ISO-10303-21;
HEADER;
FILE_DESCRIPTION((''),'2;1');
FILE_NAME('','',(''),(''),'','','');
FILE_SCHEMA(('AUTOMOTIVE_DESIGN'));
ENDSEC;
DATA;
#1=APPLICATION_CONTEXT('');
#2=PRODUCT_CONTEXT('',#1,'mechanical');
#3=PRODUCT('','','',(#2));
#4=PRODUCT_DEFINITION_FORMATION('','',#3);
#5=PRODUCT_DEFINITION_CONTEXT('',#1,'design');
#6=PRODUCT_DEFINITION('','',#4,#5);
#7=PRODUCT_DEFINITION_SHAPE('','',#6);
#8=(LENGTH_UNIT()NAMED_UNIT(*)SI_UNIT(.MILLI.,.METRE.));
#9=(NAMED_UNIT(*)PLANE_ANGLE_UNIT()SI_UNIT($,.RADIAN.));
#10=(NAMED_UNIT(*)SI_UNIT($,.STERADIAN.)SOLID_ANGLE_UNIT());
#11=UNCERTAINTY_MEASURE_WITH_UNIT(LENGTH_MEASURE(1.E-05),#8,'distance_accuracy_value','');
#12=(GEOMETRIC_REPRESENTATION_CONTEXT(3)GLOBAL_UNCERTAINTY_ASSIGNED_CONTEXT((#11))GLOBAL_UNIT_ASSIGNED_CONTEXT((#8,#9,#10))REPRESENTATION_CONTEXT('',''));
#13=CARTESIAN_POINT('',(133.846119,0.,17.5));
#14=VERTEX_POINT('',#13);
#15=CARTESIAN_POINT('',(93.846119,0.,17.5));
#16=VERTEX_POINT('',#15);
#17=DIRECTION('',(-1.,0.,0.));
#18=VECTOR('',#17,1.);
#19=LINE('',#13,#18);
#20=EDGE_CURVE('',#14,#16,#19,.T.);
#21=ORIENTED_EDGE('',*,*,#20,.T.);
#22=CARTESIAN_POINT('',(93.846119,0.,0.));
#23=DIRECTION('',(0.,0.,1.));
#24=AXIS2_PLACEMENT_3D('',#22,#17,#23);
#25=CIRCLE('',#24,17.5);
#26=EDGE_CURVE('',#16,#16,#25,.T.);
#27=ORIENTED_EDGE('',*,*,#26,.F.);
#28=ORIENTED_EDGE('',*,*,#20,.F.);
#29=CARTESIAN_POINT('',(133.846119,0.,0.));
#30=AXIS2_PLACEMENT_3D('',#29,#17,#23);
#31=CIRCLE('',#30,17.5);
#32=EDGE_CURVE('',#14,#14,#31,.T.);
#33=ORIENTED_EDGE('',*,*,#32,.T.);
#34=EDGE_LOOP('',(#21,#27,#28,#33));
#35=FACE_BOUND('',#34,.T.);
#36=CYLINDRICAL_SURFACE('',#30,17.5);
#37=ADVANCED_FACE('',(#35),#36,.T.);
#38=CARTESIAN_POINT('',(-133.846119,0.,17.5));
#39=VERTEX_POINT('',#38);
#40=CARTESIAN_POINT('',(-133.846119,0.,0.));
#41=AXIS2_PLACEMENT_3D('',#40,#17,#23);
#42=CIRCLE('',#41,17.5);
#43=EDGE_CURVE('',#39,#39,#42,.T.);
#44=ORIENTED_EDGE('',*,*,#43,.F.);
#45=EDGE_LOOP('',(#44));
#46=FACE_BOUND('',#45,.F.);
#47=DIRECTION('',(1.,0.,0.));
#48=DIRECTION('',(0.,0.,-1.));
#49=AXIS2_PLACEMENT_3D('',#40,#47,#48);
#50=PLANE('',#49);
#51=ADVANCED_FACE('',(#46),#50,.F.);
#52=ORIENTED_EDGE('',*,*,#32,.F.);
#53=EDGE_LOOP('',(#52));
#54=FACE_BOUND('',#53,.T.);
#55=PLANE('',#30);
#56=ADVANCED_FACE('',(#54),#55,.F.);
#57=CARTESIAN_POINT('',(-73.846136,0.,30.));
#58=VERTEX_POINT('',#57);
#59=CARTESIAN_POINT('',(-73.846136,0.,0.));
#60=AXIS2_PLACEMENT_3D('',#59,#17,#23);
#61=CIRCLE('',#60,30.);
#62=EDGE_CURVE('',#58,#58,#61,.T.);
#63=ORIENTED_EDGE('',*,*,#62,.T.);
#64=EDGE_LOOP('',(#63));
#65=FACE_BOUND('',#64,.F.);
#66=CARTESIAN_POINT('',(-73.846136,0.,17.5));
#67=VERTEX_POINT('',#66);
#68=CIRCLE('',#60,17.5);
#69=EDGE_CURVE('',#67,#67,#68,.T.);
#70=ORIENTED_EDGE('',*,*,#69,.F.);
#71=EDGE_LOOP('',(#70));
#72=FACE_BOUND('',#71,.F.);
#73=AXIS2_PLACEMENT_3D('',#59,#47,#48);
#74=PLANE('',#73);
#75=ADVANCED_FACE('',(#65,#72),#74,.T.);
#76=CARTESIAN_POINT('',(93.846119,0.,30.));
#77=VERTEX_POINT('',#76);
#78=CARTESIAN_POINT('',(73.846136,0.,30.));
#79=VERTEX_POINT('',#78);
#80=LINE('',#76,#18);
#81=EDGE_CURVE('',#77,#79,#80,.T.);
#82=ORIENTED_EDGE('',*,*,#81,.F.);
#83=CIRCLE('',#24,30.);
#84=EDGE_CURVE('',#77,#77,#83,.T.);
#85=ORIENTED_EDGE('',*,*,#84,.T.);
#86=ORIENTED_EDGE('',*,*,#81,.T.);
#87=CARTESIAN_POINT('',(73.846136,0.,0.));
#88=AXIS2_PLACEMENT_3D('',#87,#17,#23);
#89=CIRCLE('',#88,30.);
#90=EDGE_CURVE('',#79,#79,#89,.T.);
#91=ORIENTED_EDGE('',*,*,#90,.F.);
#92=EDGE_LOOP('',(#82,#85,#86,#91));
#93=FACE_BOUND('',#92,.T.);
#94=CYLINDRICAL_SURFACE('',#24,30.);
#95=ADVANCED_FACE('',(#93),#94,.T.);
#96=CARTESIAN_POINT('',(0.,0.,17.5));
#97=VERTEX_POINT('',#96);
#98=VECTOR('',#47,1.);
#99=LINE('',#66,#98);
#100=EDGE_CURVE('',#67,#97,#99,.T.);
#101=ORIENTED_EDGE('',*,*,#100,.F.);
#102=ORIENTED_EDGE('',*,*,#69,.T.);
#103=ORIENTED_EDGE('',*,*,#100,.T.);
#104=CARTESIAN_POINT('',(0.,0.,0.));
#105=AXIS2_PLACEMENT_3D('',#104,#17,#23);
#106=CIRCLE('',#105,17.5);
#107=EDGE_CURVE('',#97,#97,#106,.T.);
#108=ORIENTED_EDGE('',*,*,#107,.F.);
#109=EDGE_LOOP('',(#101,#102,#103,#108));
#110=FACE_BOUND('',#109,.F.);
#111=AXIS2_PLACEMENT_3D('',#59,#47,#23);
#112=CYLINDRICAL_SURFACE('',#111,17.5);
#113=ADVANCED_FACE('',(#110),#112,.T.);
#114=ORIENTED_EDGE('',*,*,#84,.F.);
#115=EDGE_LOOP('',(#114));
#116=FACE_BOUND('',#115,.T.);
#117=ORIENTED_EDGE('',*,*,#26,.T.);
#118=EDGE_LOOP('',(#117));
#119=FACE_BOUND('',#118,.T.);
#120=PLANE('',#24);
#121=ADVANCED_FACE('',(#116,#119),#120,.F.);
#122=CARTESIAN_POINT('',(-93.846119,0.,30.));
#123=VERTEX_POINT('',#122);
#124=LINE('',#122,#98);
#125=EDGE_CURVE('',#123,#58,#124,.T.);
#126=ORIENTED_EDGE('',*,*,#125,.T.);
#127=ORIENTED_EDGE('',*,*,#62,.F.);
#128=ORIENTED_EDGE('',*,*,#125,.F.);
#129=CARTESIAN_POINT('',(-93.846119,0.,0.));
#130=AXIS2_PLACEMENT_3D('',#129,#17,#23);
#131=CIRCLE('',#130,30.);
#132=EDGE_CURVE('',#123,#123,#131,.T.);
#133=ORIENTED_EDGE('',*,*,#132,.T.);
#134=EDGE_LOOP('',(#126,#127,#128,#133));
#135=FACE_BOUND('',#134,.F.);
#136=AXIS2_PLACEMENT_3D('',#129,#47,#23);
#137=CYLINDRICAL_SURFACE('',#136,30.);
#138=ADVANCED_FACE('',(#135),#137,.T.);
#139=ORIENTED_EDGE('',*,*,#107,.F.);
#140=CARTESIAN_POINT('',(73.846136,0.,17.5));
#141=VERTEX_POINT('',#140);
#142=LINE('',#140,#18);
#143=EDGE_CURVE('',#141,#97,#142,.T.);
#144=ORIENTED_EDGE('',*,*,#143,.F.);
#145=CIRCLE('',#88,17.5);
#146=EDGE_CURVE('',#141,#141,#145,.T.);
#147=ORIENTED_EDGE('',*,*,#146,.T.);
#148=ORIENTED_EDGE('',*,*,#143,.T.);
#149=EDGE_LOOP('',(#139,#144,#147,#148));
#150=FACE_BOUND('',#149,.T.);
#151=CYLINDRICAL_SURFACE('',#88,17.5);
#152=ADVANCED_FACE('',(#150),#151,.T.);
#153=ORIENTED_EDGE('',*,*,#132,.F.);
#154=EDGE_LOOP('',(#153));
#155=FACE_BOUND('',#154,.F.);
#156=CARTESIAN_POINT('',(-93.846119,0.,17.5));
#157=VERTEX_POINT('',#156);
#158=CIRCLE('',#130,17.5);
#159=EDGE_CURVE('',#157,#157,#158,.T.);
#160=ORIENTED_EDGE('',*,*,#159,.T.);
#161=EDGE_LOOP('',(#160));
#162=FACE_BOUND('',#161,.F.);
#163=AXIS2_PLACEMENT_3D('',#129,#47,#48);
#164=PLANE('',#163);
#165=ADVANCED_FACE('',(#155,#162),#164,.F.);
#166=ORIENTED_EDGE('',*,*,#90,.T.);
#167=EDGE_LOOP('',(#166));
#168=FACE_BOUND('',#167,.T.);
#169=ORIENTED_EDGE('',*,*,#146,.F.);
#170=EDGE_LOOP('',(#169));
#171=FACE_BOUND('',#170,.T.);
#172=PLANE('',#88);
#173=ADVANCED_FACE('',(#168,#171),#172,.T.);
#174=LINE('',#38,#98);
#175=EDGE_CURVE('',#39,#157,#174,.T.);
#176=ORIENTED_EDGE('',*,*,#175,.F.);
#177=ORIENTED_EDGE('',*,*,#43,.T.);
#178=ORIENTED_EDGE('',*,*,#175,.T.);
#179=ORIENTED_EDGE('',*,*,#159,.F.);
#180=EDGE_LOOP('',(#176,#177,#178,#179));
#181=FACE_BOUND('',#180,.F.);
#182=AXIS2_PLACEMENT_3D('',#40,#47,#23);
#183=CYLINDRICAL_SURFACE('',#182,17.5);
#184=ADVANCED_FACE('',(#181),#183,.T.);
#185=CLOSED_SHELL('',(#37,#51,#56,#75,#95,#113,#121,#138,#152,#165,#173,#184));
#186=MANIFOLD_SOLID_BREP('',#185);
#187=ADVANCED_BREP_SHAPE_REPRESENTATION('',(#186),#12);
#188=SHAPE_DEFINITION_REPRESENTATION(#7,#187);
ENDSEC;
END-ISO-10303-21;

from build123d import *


with BuildPart() as f1:
    # F0 (on Front) → F1 (revolve)
    with BuildSketch(Plane.XZ):
        Polygon((0, 17.5), (0, 0), (133.846119, 0), (133.846119, 17.5), (93.846119, 17.5), (93.846119, 30), (73.846136, 30), (73.846136, 17.5), align=None)
    revolve(axis=Axis((66.923059, 0, 0), (-1, 0, 0)))

    # F2: F1 across face


with BuildPart() as f1_1:
    add(f1.part)
    add(f1.part.mirror(Plane(origin=(0, 0, 0), x_dir=(0, -1, 0), z_dir=(-1, 0, 0))))


solid = f1_1.part
